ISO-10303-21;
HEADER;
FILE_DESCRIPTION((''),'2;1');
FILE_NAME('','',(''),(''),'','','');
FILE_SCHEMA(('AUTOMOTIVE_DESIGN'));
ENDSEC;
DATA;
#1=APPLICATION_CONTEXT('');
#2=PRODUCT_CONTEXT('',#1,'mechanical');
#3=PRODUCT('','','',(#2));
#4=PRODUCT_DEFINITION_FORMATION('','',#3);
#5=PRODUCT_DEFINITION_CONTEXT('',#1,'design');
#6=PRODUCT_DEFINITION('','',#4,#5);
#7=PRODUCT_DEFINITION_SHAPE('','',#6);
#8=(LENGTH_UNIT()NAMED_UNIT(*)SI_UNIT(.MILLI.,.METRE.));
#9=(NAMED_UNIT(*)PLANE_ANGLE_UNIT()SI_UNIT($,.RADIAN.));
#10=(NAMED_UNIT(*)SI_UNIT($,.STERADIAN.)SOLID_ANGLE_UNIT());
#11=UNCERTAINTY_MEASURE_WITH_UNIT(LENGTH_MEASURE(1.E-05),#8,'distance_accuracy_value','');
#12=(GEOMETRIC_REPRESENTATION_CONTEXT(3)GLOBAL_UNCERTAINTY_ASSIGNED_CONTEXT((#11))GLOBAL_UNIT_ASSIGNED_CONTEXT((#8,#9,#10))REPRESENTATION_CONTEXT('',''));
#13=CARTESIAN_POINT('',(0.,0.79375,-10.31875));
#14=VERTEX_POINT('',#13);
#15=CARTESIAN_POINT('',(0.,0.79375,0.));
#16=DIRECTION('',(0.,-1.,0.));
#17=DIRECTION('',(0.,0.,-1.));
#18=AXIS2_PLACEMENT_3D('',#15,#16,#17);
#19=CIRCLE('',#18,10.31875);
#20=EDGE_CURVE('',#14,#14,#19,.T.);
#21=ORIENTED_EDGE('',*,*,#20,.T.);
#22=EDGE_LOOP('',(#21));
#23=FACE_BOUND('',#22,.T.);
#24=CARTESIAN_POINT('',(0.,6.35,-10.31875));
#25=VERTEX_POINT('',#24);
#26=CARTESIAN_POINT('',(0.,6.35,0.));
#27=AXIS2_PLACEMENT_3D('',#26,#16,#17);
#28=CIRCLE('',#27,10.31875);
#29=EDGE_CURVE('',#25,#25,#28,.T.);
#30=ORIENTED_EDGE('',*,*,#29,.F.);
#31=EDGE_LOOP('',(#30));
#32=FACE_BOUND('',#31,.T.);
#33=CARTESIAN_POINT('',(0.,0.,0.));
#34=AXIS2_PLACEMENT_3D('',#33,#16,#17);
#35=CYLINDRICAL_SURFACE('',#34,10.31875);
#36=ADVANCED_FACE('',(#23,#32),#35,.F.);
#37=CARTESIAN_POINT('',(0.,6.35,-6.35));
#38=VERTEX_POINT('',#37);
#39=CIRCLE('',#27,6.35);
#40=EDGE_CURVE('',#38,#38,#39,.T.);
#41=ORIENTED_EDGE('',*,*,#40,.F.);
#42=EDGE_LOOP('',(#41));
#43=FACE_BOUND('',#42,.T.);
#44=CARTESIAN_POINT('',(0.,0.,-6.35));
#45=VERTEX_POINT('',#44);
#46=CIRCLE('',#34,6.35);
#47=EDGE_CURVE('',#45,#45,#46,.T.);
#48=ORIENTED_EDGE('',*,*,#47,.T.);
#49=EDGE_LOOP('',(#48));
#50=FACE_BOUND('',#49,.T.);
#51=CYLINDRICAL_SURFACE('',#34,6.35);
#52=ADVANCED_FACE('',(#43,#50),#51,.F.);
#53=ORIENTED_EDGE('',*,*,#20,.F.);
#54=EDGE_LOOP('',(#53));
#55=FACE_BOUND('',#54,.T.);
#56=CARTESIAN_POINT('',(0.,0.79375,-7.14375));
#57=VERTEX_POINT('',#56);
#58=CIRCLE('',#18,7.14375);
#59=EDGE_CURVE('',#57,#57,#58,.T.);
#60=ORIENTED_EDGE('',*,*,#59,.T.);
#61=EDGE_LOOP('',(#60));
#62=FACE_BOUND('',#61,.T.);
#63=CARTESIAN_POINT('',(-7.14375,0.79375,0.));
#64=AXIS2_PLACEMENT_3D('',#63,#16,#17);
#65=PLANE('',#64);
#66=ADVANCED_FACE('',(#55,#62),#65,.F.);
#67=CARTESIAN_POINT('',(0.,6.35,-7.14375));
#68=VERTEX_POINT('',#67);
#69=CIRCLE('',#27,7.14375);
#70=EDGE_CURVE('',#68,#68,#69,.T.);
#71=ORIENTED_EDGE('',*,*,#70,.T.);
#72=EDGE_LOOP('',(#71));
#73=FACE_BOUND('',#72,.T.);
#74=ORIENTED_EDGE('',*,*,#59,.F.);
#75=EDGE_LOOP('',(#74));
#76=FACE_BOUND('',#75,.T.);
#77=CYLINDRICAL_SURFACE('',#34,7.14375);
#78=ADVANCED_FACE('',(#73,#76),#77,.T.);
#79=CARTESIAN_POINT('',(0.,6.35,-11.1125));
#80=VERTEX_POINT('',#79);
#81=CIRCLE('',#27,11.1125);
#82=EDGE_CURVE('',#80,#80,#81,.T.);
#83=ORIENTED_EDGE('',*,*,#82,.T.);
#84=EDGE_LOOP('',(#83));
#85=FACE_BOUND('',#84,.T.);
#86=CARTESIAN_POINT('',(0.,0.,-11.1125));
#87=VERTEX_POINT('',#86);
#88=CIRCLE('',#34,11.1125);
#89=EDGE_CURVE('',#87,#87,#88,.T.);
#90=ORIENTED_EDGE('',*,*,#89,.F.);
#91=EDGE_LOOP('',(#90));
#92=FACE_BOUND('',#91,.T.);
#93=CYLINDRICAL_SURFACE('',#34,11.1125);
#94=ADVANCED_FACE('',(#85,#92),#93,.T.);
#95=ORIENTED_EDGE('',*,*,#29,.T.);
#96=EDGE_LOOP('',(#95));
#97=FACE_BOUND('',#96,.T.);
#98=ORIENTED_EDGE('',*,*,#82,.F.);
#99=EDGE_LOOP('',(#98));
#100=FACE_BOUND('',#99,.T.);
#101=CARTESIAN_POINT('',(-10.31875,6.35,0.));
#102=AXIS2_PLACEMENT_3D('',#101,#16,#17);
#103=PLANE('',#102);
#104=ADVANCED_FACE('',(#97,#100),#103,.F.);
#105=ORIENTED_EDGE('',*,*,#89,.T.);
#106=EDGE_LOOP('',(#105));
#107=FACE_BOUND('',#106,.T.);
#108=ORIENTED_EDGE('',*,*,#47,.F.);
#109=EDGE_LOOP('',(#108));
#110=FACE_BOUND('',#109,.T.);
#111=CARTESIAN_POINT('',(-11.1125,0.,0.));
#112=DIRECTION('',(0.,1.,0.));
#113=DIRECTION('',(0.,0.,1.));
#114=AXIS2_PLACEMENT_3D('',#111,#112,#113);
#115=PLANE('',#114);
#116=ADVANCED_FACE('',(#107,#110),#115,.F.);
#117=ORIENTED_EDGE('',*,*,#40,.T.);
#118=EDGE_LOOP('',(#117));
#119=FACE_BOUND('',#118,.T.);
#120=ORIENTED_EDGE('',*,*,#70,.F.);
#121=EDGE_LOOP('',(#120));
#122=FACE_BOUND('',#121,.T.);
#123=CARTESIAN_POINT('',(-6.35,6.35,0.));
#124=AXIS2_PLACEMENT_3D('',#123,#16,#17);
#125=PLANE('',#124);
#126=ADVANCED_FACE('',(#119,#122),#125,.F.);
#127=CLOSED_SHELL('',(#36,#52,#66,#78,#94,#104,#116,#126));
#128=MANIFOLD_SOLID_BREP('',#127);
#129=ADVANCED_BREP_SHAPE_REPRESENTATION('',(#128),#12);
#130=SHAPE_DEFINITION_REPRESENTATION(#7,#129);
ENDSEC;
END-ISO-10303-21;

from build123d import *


with BuildPart() as part:
    # Sketch1 → Revolve1 (revolve)
    with BuildSketch(Plane.XY):
        Polygon((-11.1125, 6.35), (-11.1125, 0), (-6.35, 0), (-6.35, 6.35), (-7.14375, 6.35), (-7.14375, 0.79375), (-10.31875, 0.79375), (-10.31875, 6.35), align=None)
    revolve(axis=Axis((0, 0, 0), (0, 1, 0)))


solid = part.part
